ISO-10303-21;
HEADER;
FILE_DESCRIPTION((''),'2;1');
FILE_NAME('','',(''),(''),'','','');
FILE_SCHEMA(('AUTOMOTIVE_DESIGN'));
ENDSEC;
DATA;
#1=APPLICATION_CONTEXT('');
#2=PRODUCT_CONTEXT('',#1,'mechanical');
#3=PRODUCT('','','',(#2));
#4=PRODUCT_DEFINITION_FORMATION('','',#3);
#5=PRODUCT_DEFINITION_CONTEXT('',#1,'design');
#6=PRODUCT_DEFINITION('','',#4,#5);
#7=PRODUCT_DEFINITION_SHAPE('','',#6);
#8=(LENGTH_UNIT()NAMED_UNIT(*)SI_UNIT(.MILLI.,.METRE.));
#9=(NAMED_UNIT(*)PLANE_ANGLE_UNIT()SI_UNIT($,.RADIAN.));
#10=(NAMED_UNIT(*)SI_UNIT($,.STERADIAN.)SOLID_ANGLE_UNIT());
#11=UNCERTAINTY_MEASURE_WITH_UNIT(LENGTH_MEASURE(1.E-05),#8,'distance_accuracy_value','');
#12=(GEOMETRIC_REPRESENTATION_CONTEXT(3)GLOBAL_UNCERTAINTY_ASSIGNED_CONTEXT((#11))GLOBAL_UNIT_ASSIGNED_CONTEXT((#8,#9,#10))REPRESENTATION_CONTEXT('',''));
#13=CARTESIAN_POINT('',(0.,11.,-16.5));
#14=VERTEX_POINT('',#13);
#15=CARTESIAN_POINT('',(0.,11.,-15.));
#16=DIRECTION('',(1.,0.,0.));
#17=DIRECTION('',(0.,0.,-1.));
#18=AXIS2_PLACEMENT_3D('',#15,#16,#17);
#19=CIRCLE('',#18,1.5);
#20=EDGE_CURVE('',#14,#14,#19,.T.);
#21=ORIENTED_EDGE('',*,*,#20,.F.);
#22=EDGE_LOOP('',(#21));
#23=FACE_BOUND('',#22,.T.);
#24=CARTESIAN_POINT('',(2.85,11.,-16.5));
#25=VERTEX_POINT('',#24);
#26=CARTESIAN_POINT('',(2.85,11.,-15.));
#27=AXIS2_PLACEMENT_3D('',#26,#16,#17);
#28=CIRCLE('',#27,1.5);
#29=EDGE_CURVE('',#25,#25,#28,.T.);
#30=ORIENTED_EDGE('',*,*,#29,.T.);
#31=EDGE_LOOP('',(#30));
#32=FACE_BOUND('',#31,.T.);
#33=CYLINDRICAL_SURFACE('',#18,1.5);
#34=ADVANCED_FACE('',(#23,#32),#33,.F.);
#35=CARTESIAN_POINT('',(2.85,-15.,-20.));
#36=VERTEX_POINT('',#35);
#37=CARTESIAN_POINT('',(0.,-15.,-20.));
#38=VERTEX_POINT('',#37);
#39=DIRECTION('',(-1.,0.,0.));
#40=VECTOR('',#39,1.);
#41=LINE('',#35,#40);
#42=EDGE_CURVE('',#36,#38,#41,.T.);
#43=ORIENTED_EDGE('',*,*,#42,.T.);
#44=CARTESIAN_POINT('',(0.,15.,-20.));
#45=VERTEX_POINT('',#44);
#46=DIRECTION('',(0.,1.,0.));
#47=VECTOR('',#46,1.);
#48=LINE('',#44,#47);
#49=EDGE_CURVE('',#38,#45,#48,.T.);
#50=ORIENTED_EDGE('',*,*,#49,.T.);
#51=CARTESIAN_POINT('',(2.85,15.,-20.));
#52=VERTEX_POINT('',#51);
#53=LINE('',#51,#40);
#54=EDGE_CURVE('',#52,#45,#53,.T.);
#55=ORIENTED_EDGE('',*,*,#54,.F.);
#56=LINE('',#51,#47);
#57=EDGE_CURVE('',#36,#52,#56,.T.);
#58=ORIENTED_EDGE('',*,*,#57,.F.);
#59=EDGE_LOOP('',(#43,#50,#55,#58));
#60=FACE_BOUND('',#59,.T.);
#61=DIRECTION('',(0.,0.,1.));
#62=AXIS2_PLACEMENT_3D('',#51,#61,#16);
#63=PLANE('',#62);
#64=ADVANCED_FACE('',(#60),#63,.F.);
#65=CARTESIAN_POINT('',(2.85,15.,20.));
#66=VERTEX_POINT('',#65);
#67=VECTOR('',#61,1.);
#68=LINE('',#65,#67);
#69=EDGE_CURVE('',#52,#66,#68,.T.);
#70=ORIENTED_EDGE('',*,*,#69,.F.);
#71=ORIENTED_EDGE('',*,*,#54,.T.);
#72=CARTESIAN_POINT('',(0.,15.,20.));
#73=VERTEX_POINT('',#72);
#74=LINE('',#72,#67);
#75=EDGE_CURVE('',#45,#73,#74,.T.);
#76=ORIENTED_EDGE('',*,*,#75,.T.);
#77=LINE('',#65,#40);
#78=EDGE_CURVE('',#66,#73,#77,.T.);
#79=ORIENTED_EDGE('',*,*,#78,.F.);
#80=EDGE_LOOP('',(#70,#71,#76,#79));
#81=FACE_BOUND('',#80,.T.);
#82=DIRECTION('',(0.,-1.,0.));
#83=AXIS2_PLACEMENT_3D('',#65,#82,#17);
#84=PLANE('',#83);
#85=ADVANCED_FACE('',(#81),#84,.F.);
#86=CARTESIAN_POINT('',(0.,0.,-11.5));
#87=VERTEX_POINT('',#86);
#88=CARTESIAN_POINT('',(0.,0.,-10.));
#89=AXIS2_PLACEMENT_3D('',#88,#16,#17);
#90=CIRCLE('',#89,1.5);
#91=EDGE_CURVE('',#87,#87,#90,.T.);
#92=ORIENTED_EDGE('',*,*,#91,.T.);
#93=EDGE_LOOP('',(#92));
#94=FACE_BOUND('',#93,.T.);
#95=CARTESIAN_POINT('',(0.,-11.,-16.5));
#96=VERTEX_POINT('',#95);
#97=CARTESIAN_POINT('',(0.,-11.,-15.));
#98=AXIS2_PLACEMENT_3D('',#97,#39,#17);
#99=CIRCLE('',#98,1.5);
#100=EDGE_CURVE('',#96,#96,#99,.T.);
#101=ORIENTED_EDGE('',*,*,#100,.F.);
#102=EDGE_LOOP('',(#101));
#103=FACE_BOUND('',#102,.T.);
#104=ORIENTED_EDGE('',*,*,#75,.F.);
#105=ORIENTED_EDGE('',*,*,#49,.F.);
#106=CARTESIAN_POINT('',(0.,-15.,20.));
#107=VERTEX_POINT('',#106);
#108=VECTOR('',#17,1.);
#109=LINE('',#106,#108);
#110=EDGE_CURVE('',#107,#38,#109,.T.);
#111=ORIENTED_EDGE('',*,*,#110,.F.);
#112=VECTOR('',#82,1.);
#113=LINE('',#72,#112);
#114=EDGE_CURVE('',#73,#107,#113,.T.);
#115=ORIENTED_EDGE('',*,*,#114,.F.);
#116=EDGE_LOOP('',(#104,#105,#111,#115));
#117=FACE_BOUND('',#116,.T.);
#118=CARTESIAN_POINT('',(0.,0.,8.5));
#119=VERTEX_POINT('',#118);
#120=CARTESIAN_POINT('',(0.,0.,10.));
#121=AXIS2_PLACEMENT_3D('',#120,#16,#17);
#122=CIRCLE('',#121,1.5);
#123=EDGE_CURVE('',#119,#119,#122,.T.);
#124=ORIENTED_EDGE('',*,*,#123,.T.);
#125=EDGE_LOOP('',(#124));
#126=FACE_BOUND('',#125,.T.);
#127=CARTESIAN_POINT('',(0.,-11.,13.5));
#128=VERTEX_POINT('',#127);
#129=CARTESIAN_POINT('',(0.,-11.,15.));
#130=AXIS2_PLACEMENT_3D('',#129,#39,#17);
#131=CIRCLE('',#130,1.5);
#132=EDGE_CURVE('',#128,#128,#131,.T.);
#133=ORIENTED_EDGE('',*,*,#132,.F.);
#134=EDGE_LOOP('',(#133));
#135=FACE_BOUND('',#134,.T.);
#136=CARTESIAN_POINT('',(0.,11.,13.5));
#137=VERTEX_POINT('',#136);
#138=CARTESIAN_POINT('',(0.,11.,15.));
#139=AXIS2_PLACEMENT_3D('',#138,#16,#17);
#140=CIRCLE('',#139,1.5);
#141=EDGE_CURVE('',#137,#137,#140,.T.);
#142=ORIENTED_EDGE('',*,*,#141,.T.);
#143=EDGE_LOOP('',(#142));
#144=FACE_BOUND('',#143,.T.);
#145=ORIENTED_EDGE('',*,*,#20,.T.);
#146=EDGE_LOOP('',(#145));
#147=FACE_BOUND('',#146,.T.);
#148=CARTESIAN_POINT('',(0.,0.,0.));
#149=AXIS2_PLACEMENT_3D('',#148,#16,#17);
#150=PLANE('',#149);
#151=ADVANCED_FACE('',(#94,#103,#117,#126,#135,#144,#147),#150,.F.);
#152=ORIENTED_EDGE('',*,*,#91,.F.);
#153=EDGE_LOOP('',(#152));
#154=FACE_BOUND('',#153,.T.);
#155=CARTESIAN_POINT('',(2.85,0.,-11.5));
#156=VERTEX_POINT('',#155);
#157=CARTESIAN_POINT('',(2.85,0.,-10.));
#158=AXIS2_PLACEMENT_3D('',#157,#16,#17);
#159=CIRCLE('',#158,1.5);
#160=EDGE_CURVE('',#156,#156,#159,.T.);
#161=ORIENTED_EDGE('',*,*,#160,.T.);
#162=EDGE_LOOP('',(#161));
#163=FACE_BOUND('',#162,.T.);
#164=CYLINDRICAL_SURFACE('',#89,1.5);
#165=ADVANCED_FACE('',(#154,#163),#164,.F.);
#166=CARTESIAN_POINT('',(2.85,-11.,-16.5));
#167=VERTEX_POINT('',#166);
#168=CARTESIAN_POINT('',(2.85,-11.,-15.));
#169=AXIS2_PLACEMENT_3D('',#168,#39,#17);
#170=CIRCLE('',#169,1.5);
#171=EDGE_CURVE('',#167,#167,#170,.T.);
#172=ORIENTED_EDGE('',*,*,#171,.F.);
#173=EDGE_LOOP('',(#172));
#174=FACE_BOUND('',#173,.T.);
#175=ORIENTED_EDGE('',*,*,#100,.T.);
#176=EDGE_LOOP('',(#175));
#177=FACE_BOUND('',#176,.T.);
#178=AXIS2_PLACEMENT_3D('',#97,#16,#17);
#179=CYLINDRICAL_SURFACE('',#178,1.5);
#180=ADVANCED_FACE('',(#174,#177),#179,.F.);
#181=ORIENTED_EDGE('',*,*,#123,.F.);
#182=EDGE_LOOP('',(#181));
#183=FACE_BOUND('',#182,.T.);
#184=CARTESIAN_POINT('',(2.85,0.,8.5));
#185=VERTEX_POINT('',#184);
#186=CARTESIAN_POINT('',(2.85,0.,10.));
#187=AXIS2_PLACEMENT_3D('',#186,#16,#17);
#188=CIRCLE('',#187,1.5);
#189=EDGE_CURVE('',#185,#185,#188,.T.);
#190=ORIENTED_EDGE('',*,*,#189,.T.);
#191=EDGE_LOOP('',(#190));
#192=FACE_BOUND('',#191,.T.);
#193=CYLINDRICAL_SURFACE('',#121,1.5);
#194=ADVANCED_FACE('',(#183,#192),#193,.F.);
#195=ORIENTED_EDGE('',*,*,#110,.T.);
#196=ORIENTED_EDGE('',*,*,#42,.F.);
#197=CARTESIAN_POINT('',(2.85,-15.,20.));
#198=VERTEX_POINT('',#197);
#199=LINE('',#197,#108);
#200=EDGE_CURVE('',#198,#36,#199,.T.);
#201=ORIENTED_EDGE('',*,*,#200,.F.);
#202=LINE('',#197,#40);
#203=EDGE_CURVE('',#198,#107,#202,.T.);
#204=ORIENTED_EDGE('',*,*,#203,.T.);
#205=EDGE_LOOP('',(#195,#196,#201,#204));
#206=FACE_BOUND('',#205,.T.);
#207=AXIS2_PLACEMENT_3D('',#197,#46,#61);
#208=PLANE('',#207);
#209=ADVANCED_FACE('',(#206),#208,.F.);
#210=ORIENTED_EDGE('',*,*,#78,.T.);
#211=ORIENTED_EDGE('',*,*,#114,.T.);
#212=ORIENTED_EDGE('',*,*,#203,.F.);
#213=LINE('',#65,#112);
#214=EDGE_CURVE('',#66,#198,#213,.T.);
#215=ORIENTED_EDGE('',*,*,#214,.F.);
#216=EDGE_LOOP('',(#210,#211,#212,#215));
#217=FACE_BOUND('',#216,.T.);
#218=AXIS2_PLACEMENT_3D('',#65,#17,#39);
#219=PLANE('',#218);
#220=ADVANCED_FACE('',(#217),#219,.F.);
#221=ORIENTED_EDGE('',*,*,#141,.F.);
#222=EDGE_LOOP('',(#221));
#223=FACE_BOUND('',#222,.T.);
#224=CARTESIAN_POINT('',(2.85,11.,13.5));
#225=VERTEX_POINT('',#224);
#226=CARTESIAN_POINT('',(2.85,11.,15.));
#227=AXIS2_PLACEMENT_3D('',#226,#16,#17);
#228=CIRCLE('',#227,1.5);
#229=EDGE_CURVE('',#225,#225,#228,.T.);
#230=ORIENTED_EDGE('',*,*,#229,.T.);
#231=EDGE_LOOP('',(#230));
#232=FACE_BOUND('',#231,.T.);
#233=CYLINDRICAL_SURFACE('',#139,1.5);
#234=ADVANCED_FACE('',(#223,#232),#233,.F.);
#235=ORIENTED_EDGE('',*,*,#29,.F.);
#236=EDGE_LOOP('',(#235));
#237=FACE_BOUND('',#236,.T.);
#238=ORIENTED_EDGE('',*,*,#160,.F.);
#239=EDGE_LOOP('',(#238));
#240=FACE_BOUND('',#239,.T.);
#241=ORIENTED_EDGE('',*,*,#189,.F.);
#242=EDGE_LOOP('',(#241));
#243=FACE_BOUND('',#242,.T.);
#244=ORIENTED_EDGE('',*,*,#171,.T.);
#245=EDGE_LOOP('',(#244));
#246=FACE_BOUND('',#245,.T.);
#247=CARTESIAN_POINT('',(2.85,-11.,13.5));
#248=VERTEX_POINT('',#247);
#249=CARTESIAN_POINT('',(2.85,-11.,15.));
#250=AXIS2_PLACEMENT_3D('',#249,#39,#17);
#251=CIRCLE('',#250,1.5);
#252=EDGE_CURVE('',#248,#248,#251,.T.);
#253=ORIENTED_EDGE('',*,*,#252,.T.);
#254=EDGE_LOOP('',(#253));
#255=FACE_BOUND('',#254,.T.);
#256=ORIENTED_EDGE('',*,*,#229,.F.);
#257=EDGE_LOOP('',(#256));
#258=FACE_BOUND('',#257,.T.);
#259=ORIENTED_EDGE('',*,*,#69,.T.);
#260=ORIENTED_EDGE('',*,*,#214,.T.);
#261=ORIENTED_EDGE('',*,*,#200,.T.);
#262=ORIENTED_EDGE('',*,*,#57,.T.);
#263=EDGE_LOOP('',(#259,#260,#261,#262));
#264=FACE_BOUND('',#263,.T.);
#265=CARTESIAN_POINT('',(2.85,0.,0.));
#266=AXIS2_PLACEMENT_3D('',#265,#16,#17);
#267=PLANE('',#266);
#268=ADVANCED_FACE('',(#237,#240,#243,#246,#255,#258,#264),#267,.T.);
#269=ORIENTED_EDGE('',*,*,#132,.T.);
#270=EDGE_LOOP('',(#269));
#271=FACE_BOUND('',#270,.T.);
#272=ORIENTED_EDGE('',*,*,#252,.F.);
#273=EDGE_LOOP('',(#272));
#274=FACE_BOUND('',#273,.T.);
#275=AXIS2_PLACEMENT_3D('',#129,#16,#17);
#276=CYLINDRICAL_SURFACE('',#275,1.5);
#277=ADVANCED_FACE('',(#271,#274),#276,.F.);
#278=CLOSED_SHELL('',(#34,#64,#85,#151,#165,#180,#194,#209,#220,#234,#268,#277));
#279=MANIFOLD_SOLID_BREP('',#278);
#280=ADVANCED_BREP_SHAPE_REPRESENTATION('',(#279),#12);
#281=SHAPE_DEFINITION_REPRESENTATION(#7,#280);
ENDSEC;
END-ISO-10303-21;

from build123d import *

# Parameters (mm, degrees)
SKETCH1_W           = 40
SKETCH1_H           = 30
BOSS_EXTRUDE1_DEPTH = 2.85
SKETCH2_R           = 1.5
CUT_EXTRUDE1_DEPTH  = 26.161925602
SKETCH3_R           = 1.5
CUT_EXTRUDE2_DEPTH  = 26.161925602


with BuildPart() as part:
    # Sketch1 → Boss-Extrude1 (new body)
    with BuildSketch(Plane(origin=(0, 0, 0), x_dir=(0, 0, -1), z_dir=(1, 0, 0))):
        Rectangle(SKETCH1_W, SKETCH1_H)
    extrude(amount=BOSS_EXTRUDE1_DEPTH)

    # Sketch2 → Cut-Extrude1 (cut, through all)
    with BuildSketch(Plane(origin=(2.85, 0, 0), x_dir=(0, 0, -1), z_dir=(1, 0, 0))):
        with Locations((-10, 0)):
            Circle(SKETCH2_R)
        with Locations((10, 0)):
            Circle(SKETCH2_R)
    extrude(amount=-CUT_EXTRUDE1_DEPTH, mode=Mode.SUBTRACT)

    # Sketch3 → Cut-Extrude2 (cut, through all)
    with BuildSketch(Plane(origin=(2.85, 0, 0), x_dir=(0, 0, -1), z_dir=(1, 0, 0))):
        with Locations((-15, 11)):
            Circle(SKETCH3_R)
        with Locations((15, 11)):
            Circle(SKETCH3_R)
    cut_extrude2 = extrude(amount=-CUT_EXTRUDE2_DEPTH, mode=Mode.SUBTRACT)

    # Mirror1: Cut-Extrude2 across plane
    add(cut_extrude2.mirror(Plane.ZX), mode=Mode.SUBTRACT)


solid = part.part
